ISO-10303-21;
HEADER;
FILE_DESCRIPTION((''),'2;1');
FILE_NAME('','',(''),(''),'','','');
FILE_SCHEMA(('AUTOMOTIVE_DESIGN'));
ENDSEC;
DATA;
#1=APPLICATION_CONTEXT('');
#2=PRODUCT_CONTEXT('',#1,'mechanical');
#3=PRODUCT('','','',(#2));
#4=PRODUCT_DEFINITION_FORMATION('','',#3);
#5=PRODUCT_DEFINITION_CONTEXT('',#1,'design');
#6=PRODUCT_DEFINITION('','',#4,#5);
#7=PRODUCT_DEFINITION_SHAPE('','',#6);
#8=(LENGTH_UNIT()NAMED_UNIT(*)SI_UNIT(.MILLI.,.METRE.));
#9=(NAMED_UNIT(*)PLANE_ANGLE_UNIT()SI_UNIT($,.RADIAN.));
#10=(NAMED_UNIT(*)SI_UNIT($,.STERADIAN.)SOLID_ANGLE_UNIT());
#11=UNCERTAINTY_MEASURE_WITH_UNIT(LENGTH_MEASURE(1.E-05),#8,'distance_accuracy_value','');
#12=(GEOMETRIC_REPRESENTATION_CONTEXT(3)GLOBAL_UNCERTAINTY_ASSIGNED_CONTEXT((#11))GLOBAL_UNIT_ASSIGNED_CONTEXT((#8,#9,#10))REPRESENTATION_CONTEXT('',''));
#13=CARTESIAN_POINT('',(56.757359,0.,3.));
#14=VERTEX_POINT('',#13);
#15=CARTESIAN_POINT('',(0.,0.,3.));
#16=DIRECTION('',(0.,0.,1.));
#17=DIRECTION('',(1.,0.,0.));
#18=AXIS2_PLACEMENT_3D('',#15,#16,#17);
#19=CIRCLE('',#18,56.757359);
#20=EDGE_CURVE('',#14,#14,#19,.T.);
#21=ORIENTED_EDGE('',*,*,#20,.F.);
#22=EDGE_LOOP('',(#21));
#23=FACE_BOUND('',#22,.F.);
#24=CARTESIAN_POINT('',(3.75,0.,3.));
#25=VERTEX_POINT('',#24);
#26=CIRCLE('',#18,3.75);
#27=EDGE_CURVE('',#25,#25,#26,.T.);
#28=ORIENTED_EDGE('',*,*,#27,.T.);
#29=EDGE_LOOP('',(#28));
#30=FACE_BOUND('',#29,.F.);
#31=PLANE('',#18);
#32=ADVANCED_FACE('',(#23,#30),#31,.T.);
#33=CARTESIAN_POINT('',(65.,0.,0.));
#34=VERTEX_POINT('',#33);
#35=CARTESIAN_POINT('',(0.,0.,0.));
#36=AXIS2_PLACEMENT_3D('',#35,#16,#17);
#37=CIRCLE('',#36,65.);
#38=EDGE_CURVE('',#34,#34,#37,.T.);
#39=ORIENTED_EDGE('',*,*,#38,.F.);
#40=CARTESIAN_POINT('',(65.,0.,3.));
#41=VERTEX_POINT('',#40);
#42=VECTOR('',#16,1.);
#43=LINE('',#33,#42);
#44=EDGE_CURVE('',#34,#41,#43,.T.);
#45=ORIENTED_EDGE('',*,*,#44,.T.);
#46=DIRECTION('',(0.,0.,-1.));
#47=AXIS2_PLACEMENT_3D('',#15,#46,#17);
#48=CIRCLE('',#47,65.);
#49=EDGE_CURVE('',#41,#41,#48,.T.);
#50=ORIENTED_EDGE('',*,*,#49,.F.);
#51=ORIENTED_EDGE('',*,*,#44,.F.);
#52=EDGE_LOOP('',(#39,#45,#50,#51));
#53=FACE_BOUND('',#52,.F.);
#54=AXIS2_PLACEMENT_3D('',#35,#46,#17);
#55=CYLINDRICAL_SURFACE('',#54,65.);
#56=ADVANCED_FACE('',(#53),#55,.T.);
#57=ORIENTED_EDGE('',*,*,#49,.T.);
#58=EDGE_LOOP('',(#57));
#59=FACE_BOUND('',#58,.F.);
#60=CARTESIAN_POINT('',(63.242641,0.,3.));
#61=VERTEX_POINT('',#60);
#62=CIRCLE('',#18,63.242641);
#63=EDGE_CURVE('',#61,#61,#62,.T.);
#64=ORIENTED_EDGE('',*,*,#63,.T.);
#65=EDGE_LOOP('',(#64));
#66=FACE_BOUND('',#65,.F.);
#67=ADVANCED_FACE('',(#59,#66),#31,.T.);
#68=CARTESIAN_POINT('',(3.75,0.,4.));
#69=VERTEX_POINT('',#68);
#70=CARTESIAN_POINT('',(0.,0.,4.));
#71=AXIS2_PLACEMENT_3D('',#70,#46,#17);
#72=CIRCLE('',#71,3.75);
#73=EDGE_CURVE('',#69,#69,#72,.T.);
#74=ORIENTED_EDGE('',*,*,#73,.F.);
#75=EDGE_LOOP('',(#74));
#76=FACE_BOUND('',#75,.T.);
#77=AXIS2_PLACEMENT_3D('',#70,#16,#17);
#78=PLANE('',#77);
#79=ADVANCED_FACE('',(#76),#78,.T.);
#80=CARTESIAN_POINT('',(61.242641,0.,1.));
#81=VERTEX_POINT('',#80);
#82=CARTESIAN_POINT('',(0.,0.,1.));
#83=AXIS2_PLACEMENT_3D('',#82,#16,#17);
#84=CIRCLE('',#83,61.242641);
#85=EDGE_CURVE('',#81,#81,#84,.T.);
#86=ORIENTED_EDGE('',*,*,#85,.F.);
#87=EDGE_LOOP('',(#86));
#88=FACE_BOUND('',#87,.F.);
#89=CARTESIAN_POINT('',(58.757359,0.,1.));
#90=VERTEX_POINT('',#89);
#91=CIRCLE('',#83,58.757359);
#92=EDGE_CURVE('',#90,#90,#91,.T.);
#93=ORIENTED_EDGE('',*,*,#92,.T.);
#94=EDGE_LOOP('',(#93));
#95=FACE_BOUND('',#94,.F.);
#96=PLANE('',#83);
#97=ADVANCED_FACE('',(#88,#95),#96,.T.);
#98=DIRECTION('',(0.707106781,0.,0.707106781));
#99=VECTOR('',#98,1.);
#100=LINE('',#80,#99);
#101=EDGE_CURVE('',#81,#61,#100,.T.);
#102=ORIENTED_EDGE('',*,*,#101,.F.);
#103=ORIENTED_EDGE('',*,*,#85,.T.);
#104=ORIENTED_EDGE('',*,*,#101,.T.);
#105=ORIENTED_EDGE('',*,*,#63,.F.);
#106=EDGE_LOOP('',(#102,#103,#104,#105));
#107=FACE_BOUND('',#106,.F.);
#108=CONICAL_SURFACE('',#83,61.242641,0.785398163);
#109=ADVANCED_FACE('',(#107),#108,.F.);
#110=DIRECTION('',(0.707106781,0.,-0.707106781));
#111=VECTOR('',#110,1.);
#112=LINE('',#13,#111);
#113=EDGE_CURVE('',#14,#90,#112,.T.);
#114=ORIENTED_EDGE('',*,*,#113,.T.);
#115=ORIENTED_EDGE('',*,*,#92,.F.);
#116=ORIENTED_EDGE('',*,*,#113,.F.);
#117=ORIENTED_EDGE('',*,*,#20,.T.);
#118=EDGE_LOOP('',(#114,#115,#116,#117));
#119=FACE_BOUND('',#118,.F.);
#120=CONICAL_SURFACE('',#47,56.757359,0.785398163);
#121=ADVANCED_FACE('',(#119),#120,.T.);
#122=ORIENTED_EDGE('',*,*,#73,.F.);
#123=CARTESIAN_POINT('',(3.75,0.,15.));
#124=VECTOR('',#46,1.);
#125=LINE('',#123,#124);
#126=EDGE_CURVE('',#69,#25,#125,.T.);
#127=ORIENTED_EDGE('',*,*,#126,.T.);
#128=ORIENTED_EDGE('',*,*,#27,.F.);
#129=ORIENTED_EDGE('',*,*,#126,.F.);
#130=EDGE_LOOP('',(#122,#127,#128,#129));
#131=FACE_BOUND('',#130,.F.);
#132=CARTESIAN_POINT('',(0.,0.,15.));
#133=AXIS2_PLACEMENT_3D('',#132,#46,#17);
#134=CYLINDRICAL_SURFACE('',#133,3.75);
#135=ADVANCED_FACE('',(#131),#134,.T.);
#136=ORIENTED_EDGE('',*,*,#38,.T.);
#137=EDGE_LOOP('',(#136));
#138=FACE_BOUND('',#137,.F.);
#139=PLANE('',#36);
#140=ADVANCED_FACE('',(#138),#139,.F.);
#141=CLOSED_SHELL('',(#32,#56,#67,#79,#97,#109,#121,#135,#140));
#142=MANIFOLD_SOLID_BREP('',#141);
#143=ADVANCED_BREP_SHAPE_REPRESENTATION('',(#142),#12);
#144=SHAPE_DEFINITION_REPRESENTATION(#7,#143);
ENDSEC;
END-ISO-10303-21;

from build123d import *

# Parameters (mm, degrees)
SKETCH002_R  = 65
PAD_DEPTH    = 4
POCKET_DEPTH = 20
CHAMFER_SIZE = 7


with BuildPart() as body001:
    # Sketch002 → Pad (new body)
    with BuildSketch(Plane.XY):
        Circle(SKETCH002_R)
    extrude(amount=PAD_DEPTH)


with BuildPart() as body:
    # Sketch → Revolution (revolve)
    with BuildSketch(Plane.XZ):
        Polygon((0, 0), (0, 15), (3.75, 15), (3.75, 3), (56.757359, 3), (58.757359, 1), (61.242641, 1), (63.242641, 3), (96.585786, 3), (98, 4.414214), (98, 20), (100, 20), (100, 0), align=None)
    revolve(axis=Axis((0, 0, 0), (0, 0, 1)))

    # Sketch001 (on DatumPlane) → Pocket (cut)
    with BuildSketch(Plane(origin=(0, 0, 4), x_dir=(-1, 0, 0), z_dir=(0, 0, 1))):
        with BuildLine():
            ThreePointArc((-60, -103.923048), (0, -120), (60, -103.923048))
            Line((32.5, -56.291651), (60, -103.923048))
            ThreePointArc((-32.5, -56.291651), (0, -65), (32.5, -56.291651))
            Line((-32.5, -56.291651), (-60, -103.923048))
        make_face()
    extrude(amount=POCKET_DEPTH, mode=Mode.SUBTRACT)

    # Chamfer
    chamfer_edges = [body.edges().sort_by_distance(p)[0] for p in [
        (-49.396447, 85.557155, 4),
        (49.396447, 85.557155, 4),
    ]]
    chamfer(chamfer_edges, length=CHAMFER_SIZE)

    # Boolean: intersect Body001
    add(body001.part, mode=Mode.INTERSECT)


solid = body.part
